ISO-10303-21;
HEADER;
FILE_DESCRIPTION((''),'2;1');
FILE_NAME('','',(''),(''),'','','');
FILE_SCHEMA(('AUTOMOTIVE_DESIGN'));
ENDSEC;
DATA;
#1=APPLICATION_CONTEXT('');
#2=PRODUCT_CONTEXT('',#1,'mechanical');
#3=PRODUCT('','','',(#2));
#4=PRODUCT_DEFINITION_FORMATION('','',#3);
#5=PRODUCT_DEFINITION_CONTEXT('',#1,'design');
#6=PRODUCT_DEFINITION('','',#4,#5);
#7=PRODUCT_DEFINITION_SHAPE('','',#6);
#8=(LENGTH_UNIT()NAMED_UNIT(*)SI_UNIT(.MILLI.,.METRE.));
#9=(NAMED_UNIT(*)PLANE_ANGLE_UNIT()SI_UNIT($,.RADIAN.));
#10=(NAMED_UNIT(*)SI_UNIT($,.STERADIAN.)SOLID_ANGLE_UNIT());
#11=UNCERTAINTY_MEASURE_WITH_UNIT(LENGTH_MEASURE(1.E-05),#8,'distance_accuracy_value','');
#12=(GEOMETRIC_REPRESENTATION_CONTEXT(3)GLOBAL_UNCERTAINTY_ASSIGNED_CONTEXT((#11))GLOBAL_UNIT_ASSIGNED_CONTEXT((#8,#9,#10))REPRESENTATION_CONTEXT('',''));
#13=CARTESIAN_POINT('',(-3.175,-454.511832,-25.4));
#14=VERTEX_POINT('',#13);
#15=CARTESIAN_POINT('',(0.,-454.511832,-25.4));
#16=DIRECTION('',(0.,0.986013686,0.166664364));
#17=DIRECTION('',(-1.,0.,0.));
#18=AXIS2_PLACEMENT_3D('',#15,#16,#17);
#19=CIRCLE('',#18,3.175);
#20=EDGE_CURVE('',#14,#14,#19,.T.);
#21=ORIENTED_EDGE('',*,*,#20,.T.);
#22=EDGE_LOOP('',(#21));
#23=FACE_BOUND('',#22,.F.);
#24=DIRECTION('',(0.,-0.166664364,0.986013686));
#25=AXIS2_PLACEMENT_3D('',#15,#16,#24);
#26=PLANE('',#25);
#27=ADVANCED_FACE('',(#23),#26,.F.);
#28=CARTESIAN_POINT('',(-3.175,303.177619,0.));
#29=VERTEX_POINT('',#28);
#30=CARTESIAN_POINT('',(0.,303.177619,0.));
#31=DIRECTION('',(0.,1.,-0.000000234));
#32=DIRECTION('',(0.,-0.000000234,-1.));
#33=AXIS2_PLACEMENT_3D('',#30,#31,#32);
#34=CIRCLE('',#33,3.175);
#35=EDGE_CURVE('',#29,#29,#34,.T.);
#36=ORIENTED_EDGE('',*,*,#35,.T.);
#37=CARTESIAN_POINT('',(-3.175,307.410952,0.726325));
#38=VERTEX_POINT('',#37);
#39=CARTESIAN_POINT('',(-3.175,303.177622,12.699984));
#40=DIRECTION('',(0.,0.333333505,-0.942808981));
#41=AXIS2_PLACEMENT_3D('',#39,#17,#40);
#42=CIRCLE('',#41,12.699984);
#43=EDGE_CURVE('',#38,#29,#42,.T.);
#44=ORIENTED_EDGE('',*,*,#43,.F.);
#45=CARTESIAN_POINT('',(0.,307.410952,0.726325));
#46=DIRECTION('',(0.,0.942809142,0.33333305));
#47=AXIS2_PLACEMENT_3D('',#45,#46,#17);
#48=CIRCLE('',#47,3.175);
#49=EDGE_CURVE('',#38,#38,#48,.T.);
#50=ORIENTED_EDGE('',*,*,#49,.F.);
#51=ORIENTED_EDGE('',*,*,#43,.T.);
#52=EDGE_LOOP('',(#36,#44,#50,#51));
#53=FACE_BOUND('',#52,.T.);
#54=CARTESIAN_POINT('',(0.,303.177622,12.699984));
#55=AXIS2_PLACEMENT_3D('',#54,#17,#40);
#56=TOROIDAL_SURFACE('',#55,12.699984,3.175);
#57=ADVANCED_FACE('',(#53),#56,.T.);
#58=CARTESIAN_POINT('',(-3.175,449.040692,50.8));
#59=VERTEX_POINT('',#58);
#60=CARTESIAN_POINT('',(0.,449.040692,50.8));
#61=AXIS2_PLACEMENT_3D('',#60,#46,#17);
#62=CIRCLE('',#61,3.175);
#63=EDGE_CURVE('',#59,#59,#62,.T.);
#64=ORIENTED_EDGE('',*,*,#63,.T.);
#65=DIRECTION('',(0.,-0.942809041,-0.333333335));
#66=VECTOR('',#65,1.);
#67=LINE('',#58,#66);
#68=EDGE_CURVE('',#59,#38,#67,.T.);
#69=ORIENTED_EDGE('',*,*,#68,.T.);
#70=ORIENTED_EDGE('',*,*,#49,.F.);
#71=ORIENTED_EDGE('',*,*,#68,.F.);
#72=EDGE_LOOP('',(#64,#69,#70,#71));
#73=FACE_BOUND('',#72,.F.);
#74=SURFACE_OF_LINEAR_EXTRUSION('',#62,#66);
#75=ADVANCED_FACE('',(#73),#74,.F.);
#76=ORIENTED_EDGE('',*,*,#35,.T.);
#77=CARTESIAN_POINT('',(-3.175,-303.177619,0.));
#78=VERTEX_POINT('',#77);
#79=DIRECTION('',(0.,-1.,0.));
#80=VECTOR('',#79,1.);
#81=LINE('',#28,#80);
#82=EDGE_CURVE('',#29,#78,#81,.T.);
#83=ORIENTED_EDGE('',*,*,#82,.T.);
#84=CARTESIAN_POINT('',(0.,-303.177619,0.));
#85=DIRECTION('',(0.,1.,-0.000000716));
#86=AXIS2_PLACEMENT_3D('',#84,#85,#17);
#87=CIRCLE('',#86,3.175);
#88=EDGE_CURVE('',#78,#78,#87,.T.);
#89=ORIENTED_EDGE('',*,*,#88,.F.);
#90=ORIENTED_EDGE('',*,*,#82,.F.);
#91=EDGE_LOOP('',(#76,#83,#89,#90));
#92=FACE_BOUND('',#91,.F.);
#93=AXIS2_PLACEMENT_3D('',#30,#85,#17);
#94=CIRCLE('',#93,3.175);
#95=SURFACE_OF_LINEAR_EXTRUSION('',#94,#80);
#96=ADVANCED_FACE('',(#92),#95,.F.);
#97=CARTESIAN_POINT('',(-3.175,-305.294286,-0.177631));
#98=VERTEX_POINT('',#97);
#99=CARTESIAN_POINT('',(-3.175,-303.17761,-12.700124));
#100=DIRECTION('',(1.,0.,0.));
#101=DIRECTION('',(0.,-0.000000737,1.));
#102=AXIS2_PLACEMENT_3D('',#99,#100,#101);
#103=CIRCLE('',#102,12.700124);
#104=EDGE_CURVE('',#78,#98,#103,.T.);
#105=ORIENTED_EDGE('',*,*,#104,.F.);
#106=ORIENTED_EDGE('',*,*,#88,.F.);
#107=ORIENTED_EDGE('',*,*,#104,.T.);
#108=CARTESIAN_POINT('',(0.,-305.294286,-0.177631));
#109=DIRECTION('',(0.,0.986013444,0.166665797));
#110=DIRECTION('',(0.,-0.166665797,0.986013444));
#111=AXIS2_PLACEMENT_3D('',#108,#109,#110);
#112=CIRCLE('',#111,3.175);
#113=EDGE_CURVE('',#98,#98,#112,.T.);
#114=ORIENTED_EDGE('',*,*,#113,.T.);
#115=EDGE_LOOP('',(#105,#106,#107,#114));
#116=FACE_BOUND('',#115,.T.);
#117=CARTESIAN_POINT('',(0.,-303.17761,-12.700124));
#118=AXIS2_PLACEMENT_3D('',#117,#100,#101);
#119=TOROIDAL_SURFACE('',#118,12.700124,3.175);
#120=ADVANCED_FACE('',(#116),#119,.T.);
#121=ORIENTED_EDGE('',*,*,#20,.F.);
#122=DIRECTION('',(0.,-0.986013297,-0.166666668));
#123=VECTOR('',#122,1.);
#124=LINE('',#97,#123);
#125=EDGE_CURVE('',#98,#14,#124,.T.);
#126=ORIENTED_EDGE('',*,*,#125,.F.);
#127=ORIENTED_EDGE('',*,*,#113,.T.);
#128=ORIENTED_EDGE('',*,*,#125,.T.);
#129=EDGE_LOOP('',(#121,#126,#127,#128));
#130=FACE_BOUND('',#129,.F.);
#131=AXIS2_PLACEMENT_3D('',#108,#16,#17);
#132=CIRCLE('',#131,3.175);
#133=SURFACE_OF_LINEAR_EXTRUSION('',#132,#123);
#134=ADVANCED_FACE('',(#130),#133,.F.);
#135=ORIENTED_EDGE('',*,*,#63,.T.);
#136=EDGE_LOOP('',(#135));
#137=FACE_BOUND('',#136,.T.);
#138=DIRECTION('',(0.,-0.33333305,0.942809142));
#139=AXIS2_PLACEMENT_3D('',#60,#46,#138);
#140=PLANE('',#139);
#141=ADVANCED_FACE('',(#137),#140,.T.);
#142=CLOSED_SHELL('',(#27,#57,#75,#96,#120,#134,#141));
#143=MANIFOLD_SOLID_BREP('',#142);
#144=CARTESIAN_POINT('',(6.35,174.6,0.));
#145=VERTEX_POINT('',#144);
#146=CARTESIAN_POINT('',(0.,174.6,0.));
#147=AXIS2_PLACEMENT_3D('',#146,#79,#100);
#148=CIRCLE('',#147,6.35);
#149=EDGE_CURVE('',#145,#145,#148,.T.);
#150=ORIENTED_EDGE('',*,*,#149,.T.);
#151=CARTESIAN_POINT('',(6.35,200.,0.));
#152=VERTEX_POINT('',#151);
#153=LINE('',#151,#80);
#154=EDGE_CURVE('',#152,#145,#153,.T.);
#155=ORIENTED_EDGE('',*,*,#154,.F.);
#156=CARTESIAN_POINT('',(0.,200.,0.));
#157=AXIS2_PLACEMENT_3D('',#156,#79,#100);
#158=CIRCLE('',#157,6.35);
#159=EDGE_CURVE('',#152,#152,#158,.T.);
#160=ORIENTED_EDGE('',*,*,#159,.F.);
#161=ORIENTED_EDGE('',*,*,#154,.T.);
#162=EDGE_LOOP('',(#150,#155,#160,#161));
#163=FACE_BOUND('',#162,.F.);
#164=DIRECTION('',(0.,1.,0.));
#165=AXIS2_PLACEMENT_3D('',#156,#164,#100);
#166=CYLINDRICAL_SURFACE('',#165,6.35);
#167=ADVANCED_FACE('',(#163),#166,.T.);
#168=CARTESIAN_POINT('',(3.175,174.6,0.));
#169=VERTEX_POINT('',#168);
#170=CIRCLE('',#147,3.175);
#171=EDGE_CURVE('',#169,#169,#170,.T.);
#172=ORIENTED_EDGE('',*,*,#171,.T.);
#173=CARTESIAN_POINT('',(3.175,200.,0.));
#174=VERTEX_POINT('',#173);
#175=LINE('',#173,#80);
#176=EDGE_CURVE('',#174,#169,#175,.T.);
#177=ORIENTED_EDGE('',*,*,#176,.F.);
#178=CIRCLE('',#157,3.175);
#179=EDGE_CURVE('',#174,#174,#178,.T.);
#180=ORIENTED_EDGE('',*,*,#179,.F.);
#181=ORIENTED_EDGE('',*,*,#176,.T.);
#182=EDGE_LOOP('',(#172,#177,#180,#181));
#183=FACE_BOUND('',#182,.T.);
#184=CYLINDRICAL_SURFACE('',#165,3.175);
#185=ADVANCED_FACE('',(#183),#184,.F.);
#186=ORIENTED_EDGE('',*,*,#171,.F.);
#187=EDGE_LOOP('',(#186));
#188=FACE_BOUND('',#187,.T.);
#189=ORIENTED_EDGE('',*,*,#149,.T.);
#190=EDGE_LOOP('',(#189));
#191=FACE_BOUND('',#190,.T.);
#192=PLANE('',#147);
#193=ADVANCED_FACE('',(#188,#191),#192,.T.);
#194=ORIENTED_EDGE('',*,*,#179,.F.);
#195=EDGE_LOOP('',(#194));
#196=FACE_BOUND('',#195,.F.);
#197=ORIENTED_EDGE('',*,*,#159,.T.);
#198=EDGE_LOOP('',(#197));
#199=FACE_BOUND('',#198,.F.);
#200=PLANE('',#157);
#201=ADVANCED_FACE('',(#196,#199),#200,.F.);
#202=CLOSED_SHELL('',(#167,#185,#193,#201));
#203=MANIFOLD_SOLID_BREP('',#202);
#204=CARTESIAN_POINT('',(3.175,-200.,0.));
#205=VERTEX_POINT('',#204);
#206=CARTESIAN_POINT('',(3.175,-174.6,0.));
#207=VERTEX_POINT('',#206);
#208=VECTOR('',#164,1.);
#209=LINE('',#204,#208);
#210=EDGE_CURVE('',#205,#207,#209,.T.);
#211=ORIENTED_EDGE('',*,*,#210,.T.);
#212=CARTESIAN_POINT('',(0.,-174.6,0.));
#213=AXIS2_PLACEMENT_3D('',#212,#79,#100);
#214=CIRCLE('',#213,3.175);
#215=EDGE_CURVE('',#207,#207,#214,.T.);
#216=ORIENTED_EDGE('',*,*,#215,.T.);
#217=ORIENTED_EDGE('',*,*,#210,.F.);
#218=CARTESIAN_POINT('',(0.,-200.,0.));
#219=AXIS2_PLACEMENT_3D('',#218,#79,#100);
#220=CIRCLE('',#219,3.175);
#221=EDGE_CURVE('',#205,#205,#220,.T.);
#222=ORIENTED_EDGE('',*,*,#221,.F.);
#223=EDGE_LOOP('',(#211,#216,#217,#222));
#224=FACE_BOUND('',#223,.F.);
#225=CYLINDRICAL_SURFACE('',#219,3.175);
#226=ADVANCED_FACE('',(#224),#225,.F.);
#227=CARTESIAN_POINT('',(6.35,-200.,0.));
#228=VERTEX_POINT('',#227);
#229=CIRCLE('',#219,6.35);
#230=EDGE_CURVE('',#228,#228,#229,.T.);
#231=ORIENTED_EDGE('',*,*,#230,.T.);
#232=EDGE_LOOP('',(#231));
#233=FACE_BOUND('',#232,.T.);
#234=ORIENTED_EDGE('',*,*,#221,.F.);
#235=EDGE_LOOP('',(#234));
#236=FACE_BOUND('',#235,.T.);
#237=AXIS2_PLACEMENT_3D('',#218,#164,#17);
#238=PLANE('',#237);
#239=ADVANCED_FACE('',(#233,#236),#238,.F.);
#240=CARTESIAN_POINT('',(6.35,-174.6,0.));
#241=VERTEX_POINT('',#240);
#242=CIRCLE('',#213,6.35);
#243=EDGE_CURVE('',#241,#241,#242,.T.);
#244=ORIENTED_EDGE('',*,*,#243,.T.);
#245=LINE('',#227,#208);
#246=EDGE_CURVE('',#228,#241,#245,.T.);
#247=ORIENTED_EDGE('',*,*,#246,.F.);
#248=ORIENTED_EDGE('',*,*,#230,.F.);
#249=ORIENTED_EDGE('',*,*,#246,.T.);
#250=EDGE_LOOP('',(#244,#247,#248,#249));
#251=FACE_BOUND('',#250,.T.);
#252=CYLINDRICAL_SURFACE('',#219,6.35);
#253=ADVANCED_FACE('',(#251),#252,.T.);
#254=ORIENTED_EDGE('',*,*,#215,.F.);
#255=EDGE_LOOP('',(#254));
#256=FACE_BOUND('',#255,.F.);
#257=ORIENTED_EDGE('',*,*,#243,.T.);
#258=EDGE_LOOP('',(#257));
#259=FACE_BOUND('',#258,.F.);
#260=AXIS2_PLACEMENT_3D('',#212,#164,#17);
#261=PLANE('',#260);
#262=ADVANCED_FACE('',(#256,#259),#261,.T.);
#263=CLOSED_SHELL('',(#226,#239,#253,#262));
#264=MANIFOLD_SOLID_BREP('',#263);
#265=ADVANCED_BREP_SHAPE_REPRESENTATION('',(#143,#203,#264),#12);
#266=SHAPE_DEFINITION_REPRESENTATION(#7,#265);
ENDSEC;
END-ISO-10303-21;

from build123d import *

# Parameters (mm, degrees)
F2_R     = 3.175
F4_R     = 6.35
F4_R_2   = 3.175
F5_DEPTH = 25.4


with BuildPart() as f3:
    # F3: sweep along a path in F0
    with BuildLine(Plane.YZ) as f3_path:
        Line((449.040692, 50.8), (307.410952, 0.726325))
        ThreePointArc((307.410952, 0.726325), (305.325214, 0.182898), (303.177619, 0))
        Line((303.177619, 0), (-303.177619, 0))
        ThreePointArc((-303.177619, 0), (-304.239672, -0.044486), (-305.294286, -0.177631))
        Line((-305.294286, -0.177631), (-454.511832, -25.4))
    # F2 (on face) → F3 (sweep)
    with BuildSketch(Plane(origin=(0, 415.112182, 146.764319), x_dir=(-1, 0, 0), z_dir=(0, 0.942809, 0.333333))):
        with Locations((0, -101.785531)):
            Circle(F2_R)
    sweep(path=f3_path.line)


with BuildPart() as f5:
    # F4 (on Front) → F5 (new body)
    with BuildSketch(Plane.XZ):
        Circle(F4_R)
        Circle(F4_R_2, mode=Mode.SUBTRACT)
    extrude(amount=F5_DEPTH)


with BuildPart() as f5_1:
    # F6: moved
    add(f5.part.moved(Location((0, 200, 0))))


with BuildPart() as f7_1:
    # F7: instance of F5
    add(f5_1.part.mirror(Plane.XZ))


solid = Compound([f3.part, f5_1.part, f7_1.part])
